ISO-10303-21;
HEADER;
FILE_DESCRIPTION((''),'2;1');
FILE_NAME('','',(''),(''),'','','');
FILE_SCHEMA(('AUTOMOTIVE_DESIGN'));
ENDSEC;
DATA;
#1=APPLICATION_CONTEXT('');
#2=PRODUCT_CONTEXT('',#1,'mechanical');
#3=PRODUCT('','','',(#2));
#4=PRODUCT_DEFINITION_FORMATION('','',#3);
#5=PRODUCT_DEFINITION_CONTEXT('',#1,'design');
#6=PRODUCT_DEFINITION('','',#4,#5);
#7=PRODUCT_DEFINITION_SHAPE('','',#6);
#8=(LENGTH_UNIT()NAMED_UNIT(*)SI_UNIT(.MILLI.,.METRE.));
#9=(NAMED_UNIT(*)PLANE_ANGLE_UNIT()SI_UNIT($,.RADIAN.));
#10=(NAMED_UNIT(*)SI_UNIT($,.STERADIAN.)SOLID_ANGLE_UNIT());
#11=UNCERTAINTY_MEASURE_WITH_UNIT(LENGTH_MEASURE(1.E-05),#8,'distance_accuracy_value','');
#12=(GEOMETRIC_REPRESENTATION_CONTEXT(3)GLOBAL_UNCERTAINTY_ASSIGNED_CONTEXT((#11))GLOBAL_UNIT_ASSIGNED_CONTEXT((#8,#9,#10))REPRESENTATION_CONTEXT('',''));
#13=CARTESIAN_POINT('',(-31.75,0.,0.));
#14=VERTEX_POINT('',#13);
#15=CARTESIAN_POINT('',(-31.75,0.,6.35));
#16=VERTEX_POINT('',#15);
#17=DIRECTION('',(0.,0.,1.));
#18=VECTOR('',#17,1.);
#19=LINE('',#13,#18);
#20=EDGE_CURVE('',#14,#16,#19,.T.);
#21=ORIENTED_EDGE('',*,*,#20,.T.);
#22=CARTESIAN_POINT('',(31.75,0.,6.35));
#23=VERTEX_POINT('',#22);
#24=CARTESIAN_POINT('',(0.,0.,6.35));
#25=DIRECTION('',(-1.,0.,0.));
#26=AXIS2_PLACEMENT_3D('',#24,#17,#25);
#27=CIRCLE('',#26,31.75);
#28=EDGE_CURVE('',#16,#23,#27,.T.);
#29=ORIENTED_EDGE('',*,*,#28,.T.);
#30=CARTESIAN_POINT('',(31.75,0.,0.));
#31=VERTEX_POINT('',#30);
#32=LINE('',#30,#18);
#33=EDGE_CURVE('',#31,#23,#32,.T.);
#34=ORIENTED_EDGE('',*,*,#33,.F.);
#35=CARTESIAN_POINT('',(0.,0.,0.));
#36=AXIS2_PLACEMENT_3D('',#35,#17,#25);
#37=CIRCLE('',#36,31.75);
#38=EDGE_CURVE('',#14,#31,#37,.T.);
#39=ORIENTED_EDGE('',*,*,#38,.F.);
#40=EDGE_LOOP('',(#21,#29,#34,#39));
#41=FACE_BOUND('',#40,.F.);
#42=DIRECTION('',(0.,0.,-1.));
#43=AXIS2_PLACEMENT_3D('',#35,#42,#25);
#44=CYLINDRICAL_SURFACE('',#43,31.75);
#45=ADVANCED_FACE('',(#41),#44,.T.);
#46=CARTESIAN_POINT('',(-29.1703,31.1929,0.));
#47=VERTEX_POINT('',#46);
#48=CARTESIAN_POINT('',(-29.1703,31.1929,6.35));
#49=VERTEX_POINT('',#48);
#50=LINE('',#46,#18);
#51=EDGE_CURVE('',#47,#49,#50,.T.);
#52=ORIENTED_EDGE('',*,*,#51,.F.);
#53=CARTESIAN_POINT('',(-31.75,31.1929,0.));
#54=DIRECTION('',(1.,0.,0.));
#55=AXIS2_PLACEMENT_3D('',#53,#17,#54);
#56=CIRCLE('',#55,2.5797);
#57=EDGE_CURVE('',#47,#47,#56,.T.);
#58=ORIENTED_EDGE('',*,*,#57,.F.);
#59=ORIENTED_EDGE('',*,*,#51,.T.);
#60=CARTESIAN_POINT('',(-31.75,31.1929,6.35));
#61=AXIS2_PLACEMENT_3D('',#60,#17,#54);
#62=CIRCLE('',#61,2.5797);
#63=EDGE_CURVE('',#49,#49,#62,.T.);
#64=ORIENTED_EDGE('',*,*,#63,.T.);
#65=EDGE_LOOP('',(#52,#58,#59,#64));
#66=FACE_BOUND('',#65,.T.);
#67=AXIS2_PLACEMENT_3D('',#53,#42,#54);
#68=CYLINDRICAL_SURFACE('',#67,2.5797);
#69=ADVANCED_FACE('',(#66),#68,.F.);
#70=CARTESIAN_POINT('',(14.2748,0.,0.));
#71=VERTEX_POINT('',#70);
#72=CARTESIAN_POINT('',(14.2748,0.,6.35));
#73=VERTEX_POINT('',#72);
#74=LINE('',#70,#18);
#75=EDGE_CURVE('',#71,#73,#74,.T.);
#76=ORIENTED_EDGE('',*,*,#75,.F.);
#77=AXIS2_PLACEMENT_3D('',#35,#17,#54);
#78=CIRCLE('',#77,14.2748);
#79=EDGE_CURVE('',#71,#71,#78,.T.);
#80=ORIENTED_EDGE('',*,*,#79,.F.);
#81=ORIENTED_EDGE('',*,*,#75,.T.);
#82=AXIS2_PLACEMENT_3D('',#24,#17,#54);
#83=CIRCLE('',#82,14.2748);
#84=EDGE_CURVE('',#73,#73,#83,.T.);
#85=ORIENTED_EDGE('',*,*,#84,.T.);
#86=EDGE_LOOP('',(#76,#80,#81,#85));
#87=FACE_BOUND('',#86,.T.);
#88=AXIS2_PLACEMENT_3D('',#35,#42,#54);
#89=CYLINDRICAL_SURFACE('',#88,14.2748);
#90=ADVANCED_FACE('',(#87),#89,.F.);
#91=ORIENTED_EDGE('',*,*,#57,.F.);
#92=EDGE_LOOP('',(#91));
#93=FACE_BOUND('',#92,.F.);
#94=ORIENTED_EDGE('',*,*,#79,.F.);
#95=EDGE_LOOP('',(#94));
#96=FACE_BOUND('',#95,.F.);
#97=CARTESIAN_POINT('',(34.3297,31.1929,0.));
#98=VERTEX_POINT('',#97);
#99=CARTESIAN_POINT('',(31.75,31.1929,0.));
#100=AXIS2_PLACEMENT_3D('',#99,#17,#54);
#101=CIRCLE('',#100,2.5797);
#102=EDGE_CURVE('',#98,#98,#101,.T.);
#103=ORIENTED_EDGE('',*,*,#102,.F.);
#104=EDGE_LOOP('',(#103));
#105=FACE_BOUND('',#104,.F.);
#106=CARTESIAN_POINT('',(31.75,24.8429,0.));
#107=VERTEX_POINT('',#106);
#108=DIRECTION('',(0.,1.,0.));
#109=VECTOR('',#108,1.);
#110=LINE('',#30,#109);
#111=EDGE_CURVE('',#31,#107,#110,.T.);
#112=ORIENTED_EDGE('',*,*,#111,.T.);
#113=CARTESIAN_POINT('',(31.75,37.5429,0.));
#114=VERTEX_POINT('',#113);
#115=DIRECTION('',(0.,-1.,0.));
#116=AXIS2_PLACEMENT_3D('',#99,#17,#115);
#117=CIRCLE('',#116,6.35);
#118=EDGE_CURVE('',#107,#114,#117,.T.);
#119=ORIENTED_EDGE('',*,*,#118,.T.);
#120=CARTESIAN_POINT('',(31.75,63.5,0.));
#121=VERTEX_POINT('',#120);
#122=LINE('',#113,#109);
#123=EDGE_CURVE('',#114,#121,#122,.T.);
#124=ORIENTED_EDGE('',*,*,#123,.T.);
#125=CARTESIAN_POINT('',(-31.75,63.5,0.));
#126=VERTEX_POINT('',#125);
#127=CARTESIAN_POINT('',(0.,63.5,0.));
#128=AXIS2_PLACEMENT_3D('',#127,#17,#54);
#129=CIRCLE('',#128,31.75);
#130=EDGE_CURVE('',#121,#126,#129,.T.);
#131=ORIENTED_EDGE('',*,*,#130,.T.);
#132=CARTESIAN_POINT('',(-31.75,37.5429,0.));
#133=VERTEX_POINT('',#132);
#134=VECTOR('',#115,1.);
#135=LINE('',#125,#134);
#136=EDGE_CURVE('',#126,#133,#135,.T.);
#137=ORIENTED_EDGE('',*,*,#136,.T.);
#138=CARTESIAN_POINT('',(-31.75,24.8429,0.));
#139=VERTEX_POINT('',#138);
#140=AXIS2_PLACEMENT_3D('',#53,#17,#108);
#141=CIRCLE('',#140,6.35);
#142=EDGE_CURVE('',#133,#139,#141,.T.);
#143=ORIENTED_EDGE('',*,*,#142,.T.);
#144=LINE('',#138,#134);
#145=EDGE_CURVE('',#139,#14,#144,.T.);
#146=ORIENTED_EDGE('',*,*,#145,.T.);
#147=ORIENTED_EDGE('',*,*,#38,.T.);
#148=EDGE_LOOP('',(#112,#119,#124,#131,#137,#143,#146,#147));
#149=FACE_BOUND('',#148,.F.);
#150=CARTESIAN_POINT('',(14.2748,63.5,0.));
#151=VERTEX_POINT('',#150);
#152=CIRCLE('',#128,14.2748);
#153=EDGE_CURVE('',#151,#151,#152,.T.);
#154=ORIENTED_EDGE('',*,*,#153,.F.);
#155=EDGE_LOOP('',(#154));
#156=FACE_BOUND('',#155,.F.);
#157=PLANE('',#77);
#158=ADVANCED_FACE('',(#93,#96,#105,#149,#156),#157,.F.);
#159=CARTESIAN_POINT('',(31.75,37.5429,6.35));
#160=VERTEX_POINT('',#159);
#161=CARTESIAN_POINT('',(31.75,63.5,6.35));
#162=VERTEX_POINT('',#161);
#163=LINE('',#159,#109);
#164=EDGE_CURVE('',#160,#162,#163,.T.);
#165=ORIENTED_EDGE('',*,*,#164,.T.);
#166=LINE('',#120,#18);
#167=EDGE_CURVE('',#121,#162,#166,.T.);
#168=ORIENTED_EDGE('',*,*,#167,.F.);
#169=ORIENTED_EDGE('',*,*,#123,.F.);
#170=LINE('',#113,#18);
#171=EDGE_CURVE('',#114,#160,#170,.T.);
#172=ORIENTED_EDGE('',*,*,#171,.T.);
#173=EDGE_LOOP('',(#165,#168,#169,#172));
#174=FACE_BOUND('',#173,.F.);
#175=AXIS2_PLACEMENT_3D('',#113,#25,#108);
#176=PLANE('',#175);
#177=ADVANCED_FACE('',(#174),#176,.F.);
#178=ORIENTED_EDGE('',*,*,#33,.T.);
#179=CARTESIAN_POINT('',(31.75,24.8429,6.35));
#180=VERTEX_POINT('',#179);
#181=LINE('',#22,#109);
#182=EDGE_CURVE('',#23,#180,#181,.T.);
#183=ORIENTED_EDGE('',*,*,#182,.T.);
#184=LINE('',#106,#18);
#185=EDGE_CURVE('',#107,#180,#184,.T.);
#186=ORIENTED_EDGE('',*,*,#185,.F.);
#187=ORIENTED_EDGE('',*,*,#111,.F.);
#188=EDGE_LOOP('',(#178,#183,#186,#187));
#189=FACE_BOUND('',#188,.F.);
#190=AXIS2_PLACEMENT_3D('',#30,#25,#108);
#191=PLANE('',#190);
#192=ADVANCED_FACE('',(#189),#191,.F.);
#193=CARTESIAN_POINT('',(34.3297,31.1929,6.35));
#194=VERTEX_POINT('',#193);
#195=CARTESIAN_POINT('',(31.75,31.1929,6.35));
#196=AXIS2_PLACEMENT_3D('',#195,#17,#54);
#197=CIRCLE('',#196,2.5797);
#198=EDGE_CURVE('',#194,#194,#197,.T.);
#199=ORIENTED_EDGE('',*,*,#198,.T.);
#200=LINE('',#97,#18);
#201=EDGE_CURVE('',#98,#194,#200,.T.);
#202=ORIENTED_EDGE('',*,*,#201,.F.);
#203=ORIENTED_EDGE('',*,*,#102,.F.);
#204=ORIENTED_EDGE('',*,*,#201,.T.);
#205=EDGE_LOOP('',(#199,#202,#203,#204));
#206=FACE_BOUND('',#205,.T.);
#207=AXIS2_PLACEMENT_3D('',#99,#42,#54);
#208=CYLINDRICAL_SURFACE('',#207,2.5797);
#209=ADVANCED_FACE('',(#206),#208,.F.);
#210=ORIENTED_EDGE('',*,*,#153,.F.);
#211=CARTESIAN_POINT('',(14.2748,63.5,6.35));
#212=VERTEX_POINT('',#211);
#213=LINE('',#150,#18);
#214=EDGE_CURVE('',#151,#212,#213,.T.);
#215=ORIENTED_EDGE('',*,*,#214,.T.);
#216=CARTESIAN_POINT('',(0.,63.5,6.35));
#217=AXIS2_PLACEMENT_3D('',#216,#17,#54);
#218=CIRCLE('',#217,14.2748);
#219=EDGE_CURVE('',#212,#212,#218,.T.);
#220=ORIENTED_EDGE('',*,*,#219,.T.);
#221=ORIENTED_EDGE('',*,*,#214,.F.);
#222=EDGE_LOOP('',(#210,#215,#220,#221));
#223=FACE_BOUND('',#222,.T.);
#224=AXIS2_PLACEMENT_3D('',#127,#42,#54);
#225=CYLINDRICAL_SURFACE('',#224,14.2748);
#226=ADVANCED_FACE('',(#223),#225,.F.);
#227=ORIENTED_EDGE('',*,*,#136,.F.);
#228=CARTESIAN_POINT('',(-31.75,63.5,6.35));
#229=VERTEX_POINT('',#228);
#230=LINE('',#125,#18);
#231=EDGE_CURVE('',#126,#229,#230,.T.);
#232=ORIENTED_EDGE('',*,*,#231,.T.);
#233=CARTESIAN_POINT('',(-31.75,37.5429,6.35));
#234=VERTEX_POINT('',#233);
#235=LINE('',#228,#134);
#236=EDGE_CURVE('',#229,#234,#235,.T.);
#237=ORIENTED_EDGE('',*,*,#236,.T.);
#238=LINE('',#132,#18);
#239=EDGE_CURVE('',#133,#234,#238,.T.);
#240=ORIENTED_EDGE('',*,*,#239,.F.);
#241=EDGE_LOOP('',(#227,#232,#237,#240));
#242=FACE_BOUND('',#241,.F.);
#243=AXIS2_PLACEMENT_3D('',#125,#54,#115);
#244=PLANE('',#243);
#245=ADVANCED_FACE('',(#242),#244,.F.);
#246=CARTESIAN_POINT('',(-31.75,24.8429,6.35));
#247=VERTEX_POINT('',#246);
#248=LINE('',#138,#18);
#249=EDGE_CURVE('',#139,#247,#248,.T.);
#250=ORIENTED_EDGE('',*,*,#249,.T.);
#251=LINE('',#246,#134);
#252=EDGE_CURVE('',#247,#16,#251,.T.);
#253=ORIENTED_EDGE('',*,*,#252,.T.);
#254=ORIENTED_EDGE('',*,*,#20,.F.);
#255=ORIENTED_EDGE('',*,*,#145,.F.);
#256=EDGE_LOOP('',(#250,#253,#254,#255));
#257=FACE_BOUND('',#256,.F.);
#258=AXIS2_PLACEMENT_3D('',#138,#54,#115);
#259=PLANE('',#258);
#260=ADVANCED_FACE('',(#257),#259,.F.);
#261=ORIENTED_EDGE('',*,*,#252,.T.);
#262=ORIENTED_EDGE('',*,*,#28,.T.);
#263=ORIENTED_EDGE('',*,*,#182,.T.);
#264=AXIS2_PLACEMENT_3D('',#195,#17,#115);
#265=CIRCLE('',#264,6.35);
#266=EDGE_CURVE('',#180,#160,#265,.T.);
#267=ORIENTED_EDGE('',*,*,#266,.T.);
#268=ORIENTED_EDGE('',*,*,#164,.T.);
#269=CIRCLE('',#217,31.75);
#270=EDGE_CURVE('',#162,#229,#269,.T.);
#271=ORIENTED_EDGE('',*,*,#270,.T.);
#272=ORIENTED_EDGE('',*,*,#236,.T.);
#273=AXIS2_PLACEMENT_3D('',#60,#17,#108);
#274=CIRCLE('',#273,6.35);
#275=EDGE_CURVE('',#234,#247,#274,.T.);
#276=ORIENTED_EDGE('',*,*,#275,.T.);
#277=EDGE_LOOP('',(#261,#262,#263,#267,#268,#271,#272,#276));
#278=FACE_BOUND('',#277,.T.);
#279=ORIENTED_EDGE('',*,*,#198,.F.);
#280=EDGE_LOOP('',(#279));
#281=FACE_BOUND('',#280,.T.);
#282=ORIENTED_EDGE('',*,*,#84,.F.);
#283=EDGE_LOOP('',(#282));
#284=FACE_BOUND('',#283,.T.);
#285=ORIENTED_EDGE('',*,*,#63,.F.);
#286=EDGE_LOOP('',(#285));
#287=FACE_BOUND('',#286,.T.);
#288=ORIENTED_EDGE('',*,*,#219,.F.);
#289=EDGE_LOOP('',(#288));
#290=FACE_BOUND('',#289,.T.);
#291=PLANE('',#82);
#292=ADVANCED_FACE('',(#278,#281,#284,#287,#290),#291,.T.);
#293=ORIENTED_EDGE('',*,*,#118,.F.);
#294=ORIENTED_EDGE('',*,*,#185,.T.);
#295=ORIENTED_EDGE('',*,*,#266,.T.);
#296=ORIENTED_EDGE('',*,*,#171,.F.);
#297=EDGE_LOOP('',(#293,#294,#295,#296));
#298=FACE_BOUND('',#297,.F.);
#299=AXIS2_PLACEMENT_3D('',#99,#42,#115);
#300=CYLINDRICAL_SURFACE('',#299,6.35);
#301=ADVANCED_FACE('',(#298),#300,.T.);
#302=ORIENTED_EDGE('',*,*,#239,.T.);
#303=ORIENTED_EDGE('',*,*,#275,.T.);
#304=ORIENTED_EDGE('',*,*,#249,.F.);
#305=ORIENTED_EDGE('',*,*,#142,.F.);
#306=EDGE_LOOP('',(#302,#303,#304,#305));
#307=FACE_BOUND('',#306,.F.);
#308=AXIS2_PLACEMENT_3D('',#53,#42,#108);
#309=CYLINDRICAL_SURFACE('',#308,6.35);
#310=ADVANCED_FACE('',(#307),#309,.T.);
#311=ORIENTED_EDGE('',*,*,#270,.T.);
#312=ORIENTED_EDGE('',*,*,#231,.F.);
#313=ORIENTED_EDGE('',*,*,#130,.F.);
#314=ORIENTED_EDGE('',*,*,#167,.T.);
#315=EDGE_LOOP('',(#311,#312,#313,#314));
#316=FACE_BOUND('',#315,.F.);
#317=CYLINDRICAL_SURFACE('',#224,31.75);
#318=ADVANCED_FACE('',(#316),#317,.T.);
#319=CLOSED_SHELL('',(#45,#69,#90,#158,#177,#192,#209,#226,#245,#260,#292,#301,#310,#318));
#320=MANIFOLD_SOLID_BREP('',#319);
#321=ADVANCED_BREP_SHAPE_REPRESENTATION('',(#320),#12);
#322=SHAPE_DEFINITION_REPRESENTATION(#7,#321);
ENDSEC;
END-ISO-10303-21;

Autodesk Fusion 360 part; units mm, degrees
sketch "Sketch1" plane through (0, 0, 0) normal (0, 0, 1) x (1, 0, 0)
  arc A0 (31.75, 63.5) -> (-31.75, 63.5) centre (0, 63.5) ccw
  arc A1 (-31.75, 0) -> (31.75, 0) centre (0, 0) ccw
  line L0 (0, 0) -> (0, 63.5) construction
  circle A2 centre (0, 63.5) radius 14.2748
  circle A3 centre (0, 0) radius 14.2748
  arc A4 (-31.75, 37.5429) -> (-31.75, 24.8429) centre (-31.75, 31.1929) ccw
  arc A5 (31.75, 24.8429) -> (31.75, 37.5429) centre (31.75, 31.1929) ccw
  line L1 (-31.75, 63.5) -> (-31.75, 37.5429)
  line L2 (-31.75, 24.8429) -> (-31.75, 0)
  line L3 (31.75, 0) -> (31.75, 24.8429)
  line L4 (31.75, 37.5429) -> (31.75, 63.5)
  circle A6 centre (0, 0) radius 31.75 construction
  circle A7 centre (0, 63.5) radius 31.75 construction
  circle A8 centre (31.75, 31.1929) radius 2.5797
  circle A9 centre (-31.75, 31.1929) radius 2.5797
  dimension "d1" = 63.5
  dimension "d2" = 28.5496
  dimension "d3" = 28.5496
  dimension "d4" = 63.5
  dimension "d5" = 12.7
  dimension "d6" = 12.7
  dimension "d7" = 63.5
  dimension "d8" = 63.5
  dimension "d9" = 5.1594
  dimension "d10" = 5.1594
extrude "Extrude1" add sketch "Sketch1" along normal blind 6.35
equation "d9 = ( 13 / 64 ) * 1 in"
equation "d10 = ( 13 / 64 ) * 1 in"
